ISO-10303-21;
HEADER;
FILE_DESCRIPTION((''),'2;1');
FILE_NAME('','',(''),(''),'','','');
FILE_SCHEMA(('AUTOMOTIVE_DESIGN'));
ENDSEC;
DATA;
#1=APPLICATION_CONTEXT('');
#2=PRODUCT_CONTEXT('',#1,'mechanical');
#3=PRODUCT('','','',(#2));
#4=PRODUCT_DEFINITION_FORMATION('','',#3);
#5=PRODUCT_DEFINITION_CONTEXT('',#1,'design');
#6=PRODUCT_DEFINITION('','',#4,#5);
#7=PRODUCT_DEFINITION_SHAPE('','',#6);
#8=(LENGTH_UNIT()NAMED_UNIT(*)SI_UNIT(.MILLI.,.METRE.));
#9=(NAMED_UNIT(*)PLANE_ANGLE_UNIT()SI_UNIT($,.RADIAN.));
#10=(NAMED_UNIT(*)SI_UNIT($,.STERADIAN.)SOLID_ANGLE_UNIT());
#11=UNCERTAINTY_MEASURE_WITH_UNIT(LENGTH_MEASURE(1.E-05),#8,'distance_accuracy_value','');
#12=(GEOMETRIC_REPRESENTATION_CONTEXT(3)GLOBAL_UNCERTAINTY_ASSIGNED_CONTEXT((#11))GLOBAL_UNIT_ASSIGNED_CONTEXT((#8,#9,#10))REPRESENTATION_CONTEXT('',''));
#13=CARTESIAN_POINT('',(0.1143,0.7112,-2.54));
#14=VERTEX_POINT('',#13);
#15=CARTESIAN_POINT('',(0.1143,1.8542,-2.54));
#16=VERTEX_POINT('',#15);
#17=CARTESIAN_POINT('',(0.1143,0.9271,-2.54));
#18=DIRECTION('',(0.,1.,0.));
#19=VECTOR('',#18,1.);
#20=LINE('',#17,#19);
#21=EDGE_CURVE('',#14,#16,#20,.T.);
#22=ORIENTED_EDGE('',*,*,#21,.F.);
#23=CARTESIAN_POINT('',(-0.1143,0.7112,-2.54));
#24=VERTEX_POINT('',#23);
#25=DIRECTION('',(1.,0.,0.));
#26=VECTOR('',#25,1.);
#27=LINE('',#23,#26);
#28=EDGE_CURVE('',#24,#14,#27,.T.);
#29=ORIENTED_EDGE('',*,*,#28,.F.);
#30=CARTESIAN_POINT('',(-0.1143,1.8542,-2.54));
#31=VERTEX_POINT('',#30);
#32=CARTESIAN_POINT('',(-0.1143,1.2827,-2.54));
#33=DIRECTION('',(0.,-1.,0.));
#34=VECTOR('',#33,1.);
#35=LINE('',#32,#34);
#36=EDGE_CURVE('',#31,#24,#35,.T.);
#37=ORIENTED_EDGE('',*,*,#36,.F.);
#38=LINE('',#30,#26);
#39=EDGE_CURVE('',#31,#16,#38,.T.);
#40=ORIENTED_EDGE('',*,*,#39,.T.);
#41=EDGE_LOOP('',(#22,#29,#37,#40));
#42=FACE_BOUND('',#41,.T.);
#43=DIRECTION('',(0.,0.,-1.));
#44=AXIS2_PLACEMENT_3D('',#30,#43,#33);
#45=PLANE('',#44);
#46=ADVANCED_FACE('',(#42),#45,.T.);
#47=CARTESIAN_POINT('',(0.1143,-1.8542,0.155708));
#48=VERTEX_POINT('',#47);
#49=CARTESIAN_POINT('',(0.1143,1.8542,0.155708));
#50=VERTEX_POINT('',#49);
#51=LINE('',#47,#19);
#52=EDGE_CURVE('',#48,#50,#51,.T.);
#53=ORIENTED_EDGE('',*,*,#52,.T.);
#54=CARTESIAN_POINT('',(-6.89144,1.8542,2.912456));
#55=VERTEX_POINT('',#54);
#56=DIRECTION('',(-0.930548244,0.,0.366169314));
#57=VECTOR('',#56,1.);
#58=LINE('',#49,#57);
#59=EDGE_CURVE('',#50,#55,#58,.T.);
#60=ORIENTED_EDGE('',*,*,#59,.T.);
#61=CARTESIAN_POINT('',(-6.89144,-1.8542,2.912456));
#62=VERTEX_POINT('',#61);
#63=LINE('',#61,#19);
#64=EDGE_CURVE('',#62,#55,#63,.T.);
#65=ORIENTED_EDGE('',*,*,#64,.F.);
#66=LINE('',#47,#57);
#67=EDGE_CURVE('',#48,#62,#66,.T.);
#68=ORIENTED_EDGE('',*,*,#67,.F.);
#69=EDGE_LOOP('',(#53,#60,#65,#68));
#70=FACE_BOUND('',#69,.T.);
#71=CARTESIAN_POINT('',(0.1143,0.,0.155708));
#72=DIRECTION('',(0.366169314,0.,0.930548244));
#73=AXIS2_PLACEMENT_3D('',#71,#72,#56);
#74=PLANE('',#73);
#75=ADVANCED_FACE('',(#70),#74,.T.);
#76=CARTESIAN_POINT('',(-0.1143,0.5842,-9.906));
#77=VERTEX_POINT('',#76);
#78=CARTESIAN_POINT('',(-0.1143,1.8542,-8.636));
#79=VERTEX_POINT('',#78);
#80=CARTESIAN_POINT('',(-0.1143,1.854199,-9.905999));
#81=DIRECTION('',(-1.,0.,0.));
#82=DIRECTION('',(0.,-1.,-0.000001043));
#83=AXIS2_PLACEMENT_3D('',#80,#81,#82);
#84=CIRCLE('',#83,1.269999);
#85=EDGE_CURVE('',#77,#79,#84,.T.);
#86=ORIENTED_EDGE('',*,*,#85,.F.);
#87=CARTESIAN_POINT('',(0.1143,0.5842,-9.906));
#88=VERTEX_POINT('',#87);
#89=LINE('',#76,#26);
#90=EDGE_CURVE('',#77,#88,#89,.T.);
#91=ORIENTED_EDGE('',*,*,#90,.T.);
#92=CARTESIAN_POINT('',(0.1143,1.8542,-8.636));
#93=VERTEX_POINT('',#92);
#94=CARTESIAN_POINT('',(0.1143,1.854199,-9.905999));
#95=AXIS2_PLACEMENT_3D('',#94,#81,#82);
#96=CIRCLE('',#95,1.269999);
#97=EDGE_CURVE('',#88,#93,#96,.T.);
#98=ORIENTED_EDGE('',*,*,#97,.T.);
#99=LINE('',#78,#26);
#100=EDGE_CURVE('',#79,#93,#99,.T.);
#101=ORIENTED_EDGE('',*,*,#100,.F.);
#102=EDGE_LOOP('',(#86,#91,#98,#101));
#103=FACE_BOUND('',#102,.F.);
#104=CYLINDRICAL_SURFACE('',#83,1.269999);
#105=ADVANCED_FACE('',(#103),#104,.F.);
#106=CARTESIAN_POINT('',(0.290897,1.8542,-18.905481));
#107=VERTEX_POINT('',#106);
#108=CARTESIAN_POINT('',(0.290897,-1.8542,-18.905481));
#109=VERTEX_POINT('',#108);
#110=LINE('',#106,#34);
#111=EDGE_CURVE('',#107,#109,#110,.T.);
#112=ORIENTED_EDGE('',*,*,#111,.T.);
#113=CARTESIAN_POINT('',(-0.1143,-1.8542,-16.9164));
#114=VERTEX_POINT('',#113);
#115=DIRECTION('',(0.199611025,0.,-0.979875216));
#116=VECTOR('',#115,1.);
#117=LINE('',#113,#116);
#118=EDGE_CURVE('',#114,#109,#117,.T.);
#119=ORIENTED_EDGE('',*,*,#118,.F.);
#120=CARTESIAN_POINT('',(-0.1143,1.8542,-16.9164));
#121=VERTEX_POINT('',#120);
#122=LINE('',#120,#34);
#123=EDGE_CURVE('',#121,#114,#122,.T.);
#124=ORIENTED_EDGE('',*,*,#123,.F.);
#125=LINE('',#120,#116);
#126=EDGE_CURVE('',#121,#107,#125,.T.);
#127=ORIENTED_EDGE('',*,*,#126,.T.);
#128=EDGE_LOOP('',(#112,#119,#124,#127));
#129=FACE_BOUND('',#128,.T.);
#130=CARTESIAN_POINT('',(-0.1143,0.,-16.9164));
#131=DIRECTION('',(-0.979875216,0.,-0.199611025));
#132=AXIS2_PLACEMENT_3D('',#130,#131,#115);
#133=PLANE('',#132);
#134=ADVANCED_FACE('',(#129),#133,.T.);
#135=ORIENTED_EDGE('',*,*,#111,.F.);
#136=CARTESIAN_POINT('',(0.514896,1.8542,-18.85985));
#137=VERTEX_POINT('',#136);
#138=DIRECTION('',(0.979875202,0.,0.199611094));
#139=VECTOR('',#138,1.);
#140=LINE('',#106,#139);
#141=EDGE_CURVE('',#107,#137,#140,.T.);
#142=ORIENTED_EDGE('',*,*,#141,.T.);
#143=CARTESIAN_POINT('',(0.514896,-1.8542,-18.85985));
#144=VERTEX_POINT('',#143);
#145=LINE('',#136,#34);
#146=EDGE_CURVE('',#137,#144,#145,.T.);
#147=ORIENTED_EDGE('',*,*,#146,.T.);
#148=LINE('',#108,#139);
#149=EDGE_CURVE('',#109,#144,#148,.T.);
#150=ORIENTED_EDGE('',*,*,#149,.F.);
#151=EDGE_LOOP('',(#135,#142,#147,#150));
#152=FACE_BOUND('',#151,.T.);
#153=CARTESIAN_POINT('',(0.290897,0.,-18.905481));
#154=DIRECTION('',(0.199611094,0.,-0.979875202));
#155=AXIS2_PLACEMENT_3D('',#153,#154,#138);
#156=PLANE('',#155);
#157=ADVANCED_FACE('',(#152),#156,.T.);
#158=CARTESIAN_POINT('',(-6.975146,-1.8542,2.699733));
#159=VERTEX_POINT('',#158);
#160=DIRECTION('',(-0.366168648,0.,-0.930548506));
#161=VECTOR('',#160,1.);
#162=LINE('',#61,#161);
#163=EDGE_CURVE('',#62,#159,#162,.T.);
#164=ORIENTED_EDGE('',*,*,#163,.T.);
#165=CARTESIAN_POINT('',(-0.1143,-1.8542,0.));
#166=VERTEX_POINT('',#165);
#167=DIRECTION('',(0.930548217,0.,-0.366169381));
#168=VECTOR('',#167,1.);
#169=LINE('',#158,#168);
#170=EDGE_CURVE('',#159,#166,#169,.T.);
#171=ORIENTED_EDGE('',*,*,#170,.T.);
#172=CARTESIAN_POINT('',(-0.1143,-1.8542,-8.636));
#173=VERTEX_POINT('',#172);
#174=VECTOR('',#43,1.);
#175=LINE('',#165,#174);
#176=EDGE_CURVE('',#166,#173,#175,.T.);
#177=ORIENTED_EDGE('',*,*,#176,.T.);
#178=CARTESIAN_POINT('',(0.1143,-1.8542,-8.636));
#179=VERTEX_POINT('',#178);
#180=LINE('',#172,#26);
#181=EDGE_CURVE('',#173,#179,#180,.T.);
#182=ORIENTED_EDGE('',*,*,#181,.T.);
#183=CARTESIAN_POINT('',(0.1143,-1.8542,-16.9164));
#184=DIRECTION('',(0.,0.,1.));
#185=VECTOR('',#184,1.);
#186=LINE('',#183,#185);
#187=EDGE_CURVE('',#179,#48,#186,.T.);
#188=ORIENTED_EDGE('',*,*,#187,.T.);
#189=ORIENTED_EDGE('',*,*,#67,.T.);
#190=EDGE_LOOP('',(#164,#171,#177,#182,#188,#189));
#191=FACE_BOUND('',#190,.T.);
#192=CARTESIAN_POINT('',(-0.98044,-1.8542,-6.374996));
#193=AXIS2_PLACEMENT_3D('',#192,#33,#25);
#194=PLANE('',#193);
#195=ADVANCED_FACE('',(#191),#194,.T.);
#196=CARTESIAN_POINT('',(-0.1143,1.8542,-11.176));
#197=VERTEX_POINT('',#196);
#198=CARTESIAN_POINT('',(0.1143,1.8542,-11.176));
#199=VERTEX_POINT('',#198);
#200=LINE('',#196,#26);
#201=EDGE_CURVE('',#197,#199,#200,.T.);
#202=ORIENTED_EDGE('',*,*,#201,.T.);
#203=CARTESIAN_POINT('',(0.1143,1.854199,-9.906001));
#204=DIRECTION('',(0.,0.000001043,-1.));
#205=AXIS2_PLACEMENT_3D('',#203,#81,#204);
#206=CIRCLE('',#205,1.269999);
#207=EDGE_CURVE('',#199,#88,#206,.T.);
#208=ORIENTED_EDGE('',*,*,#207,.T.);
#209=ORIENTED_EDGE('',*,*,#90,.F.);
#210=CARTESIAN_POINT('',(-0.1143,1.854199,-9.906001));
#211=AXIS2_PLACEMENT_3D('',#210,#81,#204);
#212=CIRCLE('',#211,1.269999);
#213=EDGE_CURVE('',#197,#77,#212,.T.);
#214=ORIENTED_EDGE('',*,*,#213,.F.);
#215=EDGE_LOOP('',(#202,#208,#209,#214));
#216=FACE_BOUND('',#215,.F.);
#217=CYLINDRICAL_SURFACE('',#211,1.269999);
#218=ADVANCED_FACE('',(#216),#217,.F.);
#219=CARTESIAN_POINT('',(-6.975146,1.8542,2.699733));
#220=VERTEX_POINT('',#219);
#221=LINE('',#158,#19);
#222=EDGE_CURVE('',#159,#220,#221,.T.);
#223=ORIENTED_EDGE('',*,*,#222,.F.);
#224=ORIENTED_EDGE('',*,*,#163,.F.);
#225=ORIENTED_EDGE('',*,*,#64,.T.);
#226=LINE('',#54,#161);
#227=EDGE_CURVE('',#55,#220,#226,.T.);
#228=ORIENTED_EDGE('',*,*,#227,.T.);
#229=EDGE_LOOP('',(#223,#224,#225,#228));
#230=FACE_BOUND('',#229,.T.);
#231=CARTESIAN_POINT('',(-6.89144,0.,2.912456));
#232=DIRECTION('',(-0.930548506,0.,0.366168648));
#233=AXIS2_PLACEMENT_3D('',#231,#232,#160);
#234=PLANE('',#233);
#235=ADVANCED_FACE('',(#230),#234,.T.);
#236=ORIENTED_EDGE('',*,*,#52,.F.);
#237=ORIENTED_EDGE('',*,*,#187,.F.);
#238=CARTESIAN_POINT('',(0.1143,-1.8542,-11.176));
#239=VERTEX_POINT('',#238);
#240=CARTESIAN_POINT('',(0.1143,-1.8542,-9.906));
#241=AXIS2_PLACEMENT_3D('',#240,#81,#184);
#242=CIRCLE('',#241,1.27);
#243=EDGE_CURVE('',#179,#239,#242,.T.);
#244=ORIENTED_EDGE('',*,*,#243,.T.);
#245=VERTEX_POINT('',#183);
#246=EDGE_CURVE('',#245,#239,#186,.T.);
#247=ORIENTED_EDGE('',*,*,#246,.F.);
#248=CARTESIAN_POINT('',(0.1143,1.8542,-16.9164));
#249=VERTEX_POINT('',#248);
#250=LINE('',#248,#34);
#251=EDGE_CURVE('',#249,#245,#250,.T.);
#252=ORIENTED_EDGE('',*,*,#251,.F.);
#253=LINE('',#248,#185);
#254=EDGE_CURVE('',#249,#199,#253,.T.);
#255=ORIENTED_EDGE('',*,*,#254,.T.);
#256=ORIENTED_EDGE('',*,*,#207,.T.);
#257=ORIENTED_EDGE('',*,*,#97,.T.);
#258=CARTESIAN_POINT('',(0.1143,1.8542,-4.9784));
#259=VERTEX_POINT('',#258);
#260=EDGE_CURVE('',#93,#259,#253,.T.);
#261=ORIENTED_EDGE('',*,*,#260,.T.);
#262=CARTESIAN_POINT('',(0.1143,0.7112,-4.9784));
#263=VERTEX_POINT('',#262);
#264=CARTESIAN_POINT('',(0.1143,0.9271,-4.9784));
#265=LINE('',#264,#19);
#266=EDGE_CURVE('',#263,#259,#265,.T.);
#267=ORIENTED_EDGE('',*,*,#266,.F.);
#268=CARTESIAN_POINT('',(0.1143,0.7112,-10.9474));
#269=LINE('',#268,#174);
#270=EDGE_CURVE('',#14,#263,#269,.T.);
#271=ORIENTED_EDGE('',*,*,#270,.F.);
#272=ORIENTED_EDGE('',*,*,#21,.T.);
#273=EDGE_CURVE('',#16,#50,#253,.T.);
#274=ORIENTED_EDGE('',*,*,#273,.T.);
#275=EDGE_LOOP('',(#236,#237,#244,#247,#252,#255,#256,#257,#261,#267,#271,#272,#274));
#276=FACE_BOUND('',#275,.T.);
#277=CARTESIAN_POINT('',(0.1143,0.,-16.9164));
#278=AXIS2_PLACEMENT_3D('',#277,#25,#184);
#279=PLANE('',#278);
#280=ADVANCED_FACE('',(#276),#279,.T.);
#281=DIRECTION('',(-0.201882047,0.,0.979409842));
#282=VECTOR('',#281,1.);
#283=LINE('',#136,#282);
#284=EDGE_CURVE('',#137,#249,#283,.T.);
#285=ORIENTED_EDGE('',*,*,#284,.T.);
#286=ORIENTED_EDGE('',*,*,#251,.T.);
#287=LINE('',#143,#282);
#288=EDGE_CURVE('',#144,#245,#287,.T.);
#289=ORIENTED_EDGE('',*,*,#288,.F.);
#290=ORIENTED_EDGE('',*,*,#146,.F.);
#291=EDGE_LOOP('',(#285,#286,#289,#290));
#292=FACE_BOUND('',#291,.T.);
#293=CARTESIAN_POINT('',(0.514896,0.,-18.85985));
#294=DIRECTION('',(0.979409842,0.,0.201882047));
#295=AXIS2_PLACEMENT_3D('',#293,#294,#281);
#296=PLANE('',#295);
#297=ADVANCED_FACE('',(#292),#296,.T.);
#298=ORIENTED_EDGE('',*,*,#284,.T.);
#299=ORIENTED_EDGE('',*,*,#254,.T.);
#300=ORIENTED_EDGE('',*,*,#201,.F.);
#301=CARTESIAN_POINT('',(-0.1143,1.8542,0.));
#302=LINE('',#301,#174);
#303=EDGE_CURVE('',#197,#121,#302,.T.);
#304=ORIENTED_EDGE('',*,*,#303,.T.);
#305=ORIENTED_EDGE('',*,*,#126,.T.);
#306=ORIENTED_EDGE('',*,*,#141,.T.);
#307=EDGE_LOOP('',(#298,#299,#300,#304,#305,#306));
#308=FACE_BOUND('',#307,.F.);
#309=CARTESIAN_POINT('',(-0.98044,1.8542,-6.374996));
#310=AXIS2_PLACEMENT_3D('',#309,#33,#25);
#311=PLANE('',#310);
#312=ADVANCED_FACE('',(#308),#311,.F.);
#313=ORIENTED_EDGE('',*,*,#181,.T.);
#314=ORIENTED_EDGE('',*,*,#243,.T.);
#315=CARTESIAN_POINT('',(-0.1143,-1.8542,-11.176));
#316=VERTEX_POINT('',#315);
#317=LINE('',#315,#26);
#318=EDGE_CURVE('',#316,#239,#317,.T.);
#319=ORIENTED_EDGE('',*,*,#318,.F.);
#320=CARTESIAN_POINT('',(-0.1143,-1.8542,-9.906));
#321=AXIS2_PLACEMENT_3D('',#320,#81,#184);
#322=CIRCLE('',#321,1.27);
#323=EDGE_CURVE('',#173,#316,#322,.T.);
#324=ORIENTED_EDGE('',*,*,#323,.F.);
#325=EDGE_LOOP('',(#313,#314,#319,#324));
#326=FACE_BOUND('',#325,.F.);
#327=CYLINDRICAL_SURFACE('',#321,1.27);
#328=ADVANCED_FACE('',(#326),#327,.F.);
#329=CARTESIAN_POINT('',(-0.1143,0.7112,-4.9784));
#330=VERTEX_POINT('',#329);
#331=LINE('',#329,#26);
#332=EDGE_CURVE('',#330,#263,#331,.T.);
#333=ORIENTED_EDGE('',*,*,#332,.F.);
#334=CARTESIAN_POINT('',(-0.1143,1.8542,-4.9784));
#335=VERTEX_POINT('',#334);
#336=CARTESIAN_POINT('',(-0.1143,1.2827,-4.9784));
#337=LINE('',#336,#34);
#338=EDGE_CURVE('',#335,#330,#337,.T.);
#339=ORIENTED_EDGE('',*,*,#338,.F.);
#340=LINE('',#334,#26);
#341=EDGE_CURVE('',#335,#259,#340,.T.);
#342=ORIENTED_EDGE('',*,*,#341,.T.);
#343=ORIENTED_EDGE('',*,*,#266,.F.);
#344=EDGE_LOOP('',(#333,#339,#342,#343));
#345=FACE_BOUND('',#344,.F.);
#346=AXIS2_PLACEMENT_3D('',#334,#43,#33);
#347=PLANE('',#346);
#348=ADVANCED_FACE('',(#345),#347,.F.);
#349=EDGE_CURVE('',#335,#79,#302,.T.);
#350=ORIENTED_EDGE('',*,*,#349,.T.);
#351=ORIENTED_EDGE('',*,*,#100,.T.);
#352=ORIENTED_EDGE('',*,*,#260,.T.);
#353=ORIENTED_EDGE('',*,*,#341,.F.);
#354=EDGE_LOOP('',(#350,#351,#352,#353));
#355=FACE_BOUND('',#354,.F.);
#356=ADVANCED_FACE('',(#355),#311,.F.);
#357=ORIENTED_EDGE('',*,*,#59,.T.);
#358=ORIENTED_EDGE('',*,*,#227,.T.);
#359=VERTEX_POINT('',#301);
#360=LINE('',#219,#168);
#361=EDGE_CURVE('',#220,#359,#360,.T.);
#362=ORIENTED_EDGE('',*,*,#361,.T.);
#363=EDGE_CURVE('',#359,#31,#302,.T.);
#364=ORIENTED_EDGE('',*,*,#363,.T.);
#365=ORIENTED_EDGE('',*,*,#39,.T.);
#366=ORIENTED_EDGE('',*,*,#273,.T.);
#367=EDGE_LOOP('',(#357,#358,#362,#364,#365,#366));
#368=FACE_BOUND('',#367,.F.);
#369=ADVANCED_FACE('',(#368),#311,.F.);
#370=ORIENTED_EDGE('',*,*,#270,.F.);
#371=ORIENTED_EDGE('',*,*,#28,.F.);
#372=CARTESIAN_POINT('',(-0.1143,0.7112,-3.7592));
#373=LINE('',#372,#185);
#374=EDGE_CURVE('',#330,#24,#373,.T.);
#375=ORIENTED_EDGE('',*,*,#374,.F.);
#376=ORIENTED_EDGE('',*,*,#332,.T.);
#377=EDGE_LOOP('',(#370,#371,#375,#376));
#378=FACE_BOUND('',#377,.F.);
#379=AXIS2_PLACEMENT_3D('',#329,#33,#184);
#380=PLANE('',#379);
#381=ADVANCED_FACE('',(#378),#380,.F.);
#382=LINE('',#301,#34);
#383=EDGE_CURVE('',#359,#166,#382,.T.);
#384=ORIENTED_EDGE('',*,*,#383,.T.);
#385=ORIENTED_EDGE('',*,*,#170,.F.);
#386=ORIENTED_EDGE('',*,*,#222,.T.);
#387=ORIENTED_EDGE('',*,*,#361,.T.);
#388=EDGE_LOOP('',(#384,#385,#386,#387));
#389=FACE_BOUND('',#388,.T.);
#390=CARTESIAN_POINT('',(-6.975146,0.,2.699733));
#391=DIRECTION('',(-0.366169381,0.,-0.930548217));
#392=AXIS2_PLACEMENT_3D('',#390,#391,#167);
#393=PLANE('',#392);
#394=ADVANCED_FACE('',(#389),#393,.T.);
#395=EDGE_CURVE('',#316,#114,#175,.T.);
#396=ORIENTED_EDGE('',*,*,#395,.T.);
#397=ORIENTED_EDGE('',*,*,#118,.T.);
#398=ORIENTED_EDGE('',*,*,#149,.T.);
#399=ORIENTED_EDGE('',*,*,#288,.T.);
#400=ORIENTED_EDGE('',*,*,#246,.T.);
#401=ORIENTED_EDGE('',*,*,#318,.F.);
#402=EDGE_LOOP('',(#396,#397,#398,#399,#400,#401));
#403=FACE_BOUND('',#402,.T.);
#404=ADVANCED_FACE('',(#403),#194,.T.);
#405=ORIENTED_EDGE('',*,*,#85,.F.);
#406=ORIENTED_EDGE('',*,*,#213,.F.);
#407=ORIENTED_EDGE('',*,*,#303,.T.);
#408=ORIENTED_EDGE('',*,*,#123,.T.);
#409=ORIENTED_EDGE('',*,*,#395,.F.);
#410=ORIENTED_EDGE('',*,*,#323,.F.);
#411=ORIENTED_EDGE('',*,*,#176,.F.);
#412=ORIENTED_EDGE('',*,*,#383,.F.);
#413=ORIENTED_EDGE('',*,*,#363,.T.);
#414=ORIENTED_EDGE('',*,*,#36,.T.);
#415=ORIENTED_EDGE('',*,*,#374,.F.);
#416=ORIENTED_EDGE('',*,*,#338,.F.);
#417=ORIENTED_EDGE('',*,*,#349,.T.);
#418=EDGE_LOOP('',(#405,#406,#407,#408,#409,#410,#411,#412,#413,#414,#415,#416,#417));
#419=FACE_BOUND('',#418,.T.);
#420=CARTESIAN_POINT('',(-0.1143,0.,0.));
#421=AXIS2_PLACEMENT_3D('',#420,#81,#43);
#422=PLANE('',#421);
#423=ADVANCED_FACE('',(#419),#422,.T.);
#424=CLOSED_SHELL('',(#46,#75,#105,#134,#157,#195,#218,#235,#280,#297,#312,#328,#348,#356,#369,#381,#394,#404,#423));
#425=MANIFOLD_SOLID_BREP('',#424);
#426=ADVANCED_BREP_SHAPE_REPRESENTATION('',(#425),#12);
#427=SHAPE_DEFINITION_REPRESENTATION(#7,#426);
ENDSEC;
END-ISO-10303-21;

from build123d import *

# Parameters (mm, degrees)
F1_DEPTH = 1.8542
F2_W     = 1.143
F2_H     = 2.4384
F3_DEPTH = 25.4


with BuildPart() as f1:
    # F0 (on Front) → F1 (new body, symmetric)
    with BuildSketch(Plane.XZ):
        Polygon((-6.975146, 2.699733), (-0.1143, 0), (-0.1143, -16.9164), (0.290897, -18.905481), (0.514896, -18.85985), (0.1143, -16.9164), (0.1143, 0), (0.1143, 0.155708), (-6.89144, 2.912456), align=None)
    extrude(amount=F1_DEPTH, both=True)

    # F2 (on face) → F3 (cut)
    with BuildSketch(Plane(origin=(-0.1143, 0, 0), x_dir=(0, -1, 0), z_dir=(-1, 0, 0))):
        with BuildLine():
            Line((-1.8542, -11.176), (-1.8542, -8.636))
            ThreePointArc((-1.8542, -8.636), (-3.1242, -9.906), (-1.8542, -11.176))
        make_face()
        with BuildLine():
            ThreePointArc((-0.5842, -9.906), (-0.956174, -9.007974), (-1.8542, -8.636))
            Line((-1.8542, -8.636), (-1.8542, -11.176))
            ThreePointArc((-1.8542, -11.176), (-0.956174, -10.804026), (-0.5842, -9.906))
        make_face()
        with BuildLine():
            ThreePointArc((3.1242, -9.906), (2.752226, -9.007974), (1.8542, -8.636))
            Line((1.8542, -8.636), (1.8542, -11.176))
            ThreePointArc((1.8542, -11.176), (2.752226, -10.804026), (3.1242, -9.906))
        make_face()
        with BuildLine():
            Line((1.8542, -11.176), (1.8542, -8.636))
            ThreePointArc((1.8542, -8.636), (0.5842, -9.906), (1.8542, -11.176))
        make_face()
        with Locations((-1.2827, -3.7592)):
            Rectangle(F2_W, F2_H)
    extrude(amount=-F3_DEPTH, mode=Mode.SUBTRACT)


solid = f1.part
